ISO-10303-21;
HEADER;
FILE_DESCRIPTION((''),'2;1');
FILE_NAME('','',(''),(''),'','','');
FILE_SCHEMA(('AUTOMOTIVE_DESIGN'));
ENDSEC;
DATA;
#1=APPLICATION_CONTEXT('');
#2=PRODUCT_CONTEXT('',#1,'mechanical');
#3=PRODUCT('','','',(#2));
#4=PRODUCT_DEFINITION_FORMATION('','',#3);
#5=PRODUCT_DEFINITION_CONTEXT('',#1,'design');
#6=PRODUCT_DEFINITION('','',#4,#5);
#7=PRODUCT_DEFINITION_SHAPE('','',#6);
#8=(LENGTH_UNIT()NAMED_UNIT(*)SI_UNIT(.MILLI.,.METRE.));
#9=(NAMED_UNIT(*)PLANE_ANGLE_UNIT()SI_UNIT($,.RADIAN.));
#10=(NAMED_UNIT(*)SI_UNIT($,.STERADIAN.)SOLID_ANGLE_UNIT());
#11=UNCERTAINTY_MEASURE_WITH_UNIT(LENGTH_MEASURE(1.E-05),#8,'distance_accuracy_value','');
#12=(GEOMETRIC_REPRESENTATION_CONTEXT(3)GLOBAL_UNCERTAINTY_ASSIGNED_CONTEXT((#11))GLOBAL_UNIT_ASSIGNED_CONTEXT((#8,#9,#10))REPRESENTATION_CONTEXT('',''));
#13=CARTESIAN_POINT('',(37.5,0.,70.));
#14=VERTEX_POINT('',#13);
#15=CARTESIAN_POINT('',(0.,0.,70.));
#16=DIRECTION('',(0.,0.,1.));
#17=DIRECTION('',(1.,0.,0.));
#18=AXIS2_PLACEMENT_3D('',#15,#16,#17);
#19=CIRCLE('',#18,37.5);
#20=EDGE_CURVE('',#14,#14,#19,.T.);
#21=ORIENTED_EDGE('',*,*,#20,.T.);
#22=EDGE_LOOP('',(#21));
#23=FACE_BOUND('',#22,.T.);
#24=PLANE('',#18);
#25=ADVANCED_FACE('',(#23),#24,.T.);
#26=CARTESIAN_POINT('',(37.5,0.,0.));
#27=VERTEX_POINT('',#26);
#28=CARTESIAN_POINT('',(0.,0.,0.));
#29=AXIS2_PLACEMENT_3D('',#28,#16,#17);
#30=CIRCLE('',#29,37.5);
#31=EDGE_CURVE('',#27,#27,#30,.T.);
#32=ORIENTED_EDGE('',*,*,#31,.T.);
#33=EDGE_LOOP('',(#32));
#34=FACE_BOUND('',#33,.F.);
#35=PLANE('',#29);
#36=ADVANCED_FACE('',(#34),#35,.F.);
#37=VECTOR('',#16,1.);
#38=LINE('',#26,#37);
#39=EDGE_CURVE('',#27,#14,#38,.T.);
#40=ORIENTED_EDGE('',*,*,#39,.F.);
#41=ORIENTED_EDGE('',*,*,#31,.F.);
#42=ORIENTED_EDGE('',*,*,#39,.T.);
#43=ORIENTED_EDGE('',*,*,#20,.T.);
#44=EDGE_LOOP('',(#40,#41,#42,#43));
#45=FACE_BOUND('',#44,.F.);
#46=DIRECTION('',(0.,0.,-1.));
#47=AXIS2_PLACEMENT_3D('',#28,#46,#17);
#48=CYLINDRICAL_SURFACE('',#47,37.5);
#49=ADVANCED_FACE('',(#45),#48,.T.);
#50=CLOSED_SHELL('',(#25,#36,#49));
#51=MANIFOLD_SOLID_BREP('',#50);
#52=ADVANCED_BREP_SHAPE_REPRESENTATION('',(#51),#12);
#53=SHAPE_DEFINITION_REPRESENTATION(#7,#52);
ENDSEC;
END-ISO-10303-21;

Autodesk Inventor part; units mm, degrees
ref_plane "YZ Plane" through (0, 0, 0) normal (1, 0, 0) x (0, 1, 0)
ref_plane "XZ Plane" through (0, 0, 0) normal (0, 1, 0) x (-1, 0, 0)
ref_plane "XY Plane" through (0, 0, 0) normal (0, 0, 1) x (1, 0, 0)
sketch "Sketch1" plane through (0, 0, 0) normal (0, 0, 1) x (1, 0, 0)
  circle A0 centre (0, 0) radius 37.5
  dimension "d0" = 75
extrude "Extrusion1" add sketch "Sketch1" along normal blind 70
properties part number "ESP Cam" material "ESPCam Mat'l"
